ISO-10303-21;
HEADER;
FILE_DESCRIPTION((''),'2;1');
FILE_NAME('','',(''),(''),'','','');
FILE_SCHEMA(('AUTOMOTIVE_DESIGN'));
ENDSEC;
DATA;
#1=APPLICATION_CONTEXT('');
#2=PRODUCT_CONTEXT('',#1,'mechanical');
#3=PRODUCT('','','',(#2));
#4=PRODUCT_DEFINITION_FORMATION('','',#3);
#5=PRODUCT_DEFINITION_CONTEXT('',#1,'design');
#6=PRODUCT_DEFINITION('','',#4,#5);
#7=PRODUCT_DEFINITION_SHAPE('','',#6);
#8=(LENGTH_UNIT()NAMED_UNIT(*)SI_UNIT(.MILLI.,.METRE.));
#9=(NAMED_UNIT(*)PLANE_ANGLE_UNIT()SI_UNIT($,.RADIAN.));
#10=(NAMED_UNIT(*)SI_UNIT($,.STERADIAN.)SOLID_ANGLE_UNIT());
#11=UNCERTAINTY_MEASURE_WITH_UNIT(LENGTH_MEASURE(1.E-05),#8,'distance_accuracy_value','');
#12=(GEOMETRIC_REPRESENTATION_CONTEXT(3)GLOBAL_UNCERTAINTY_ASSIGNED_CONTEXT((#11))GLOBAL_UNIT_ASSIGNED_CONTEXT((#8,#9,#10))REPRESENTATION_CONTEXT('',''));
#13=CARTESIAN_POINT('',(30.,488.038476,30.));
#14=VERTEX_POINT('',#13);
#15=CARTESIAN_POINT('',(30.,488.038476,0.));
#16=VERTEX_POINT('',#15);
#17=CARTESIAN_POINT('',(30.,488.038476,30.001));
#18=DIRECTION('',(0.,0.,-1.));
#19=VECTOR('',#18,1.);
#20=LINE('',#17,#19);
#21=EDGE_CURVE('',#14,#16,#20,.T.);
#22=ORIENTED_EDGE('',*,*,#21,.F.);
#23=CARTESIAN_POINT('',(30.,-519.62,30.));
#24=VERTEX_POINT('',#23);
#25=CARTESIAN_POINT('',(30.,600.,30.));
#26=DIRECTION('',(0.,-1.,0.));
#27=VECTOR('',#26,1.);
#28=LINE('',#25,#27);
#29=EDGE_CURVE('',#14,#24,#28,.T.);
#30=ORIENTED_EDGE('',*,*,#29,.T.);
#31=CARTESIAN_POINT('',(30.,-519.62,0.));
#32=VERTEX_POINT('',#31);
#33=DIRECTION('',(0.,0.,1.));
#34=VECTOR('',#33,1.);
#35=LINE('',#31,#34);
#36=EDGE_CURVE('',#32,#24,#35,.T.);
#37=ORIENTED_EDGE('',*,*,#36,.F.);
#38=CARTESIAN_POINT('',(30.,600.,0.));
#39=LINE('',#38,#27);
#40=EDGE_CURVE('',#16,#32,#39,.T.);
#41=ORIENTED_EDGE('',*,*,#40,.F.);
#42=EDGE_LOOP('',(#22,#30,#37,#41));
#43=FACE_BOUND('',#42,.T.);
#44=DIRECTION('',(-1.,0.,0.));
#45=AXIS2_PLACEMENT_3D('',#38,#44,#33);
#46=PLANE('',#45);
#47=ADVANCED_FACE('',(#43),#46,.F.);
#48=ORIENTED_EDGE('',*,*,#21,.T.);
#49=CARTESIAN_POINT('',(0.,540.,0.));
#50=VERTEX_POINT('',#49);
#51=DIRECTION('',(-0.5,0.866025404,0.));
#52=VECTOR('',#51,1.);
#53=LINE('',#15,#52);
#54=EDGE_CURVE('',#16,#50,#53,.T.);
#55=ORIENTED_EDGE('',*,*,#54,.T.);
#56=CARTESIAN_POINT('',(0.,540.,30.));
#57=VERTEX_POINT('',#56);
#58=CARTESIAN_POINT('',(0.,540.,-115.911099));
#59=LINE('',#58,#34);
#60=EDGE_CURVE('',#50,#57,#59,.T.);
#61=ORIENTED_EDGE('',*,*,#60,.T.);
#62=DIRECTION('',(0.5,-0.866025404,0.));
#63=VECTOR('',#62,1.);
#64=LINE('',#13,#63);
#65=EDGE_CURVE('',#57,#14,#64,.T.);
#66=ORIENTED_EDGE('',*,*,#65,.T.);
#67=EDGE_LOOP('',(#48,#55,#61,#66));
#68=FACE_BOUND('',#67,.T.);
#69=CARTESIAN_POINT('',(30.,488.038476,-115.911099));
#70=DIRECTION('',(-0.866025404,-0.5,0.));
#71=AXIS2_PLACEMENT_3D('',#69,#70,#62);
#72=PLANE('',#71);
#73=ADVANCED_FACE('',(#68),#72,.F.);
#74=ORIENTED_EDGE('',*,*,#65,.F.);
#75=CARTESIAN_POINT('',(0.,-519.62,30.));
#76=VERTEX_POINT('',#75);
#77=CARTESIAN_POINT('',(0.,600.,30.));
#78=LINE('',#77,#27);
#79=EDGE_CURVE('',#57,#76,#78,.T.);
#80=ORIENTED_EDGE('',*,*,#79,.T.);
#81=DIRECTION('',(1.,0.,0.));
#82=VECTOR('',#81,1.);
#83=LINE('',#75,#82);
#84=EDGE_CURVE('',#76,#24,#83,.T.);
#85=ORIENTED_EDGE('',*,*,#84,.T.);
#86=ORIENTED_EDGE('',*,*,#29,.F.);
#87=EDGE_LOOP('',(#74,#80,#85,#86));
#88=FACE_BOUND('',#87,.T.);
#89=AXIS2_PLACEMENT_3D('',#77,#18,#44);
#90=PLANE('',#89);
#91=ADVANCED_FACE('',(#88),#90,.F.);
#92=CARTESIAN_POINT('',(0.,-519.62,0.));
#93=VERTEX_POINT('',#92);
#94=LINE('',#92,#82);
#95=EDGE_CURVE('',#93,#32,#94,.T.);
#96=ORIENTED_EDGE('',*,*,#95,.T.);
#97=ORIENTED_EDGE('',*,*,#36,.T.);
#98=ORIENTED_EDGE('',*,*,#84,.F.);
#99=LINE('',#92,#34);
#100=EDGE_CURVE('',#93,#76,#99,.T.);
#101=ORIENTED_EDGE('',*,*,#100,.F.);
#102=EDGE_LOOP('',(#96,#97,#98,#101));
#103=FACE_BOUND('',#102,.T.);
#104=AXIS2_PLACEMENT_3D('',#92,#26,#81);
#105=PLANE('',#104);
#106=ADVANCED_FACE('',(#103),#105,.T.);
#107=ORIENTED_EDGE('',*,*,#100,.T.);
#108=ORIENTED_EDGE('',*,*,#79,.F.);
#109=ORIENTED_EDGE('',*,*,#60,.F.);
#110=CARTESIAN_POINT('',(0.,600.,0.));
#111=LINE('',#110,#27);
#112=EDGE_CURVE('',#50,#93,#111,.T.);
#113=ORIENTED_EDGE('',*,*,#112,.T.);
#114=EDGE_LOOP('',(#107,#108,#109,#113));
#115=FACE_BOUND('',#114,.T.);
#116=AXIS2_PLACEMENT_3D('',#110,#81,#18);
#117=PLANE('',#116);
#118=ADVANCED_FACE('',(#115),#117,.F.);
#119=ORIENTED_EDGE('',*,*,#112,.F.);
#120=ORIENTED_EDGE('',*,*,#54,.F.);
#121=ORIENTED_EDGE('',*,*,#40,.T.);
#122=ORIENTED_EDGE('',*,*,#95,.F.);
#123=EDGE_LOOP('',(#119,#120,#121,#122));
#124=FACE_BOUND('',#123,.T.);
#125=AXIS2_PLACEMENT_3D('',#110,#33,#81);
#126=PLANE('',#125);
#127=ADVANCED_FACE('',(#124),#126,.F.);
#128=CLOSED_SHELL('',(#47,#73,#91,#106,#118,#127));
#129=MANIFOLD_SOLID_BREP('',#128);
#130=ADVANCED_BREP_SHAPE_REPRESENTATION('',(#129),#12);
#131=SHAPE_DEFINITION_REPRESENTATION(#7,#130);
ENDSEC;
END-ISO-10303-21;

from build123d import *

# Parameters (mm, degrees)
SKETCH_1_W          = 30
SKETCH_1_H          = 30
EXTRUDE_1_DEPTH     = 600
CUT_EXTRUDE_1_REACH = 603.498
CUT_EXTRUDE_2_REACH = 603.498
EXTRUDE_2_DEPTH     = 30
CUT_EXTRUDE_3_DEPTH = 30


with BuildPart() as part:
    # 草图1 → 凸台-拉伸1 (new body)
    with BuildSketch(Plane(origin=(0, 0, 0), x_dir=(1, 0, 0), z_dir=(0, 1, 0))):
        with Locations((15, -15)):
            Rectangle(SKETCH_1_W, SKETCH_1_H)
    extrude(amount=EXTRUDE_1_DEPTH)

    # 草图2 → 切除-拉伸1 (cut, up to next)
    with BuildSketch(Plane.XY.offset(30), mode=Mode.PRIVATE) as cut_extrude_1_sk1:
        Polygon((0, 0), (30, 8.038475773), (30, 0), align=None)
    cut_extrude_1_tool1 = extrude(cut_extrude_1_sk1.sketch, amount=-CUT_EXTRUDE_1_REACH, mode=Mode.PRIVATE) & part.part
    add(cut_extrude_1_tool1.solids().sort_by_distance((20, 2.679492, 30))[0], mode=Mode.SUBTRACT)

    # 草图3 → 切除-拉伸2 (cut, up to next)
    with BuildSketch(Plane(origin=(0, 0, 0), x_dir=(-1, 0, 0), z_dir=(0, 0, -1)), mode=Mode.PRIVATE) as cut_extrude_2_sk1:
        Polygon((0, 600), (-30, 600), (-30, 488.038475773), align=None)
    cut_extrude_2_tool1 = extrude(cut_extrude_2_sk1.sketch, amount=-CUT_EXTRUDE_2_REACH, mode=Mode.PRIVATE) & part.part
    add(cut_extrude_2_tool1.solids().sort_by_distance((20, 562.679492, 0))[0], mode=Mode.SUBTRACT)

    # 草图4 → 凸台-拉伸2 (add)
    with BuildSketch(Plane.XY.offset(30)):
        Polygon((0, 600), (0, -519.62), (30, -519.62), (30, 488.038475773), align=None)
    extrude(amount=-EXTRUDE_2_DEPTH)

    # 草图5 → 切除-拉伸3 (cut)
    with BuildSketch(Plane.XY.offset(30)):
        Polygon((0, 600), (0, 540), (30, 488.038475773), align=None)
    extrude(amount=-CUT_EXTRUDE_3_DEPTH, mode=Mode.SUBTRACT)


solid = part.part
